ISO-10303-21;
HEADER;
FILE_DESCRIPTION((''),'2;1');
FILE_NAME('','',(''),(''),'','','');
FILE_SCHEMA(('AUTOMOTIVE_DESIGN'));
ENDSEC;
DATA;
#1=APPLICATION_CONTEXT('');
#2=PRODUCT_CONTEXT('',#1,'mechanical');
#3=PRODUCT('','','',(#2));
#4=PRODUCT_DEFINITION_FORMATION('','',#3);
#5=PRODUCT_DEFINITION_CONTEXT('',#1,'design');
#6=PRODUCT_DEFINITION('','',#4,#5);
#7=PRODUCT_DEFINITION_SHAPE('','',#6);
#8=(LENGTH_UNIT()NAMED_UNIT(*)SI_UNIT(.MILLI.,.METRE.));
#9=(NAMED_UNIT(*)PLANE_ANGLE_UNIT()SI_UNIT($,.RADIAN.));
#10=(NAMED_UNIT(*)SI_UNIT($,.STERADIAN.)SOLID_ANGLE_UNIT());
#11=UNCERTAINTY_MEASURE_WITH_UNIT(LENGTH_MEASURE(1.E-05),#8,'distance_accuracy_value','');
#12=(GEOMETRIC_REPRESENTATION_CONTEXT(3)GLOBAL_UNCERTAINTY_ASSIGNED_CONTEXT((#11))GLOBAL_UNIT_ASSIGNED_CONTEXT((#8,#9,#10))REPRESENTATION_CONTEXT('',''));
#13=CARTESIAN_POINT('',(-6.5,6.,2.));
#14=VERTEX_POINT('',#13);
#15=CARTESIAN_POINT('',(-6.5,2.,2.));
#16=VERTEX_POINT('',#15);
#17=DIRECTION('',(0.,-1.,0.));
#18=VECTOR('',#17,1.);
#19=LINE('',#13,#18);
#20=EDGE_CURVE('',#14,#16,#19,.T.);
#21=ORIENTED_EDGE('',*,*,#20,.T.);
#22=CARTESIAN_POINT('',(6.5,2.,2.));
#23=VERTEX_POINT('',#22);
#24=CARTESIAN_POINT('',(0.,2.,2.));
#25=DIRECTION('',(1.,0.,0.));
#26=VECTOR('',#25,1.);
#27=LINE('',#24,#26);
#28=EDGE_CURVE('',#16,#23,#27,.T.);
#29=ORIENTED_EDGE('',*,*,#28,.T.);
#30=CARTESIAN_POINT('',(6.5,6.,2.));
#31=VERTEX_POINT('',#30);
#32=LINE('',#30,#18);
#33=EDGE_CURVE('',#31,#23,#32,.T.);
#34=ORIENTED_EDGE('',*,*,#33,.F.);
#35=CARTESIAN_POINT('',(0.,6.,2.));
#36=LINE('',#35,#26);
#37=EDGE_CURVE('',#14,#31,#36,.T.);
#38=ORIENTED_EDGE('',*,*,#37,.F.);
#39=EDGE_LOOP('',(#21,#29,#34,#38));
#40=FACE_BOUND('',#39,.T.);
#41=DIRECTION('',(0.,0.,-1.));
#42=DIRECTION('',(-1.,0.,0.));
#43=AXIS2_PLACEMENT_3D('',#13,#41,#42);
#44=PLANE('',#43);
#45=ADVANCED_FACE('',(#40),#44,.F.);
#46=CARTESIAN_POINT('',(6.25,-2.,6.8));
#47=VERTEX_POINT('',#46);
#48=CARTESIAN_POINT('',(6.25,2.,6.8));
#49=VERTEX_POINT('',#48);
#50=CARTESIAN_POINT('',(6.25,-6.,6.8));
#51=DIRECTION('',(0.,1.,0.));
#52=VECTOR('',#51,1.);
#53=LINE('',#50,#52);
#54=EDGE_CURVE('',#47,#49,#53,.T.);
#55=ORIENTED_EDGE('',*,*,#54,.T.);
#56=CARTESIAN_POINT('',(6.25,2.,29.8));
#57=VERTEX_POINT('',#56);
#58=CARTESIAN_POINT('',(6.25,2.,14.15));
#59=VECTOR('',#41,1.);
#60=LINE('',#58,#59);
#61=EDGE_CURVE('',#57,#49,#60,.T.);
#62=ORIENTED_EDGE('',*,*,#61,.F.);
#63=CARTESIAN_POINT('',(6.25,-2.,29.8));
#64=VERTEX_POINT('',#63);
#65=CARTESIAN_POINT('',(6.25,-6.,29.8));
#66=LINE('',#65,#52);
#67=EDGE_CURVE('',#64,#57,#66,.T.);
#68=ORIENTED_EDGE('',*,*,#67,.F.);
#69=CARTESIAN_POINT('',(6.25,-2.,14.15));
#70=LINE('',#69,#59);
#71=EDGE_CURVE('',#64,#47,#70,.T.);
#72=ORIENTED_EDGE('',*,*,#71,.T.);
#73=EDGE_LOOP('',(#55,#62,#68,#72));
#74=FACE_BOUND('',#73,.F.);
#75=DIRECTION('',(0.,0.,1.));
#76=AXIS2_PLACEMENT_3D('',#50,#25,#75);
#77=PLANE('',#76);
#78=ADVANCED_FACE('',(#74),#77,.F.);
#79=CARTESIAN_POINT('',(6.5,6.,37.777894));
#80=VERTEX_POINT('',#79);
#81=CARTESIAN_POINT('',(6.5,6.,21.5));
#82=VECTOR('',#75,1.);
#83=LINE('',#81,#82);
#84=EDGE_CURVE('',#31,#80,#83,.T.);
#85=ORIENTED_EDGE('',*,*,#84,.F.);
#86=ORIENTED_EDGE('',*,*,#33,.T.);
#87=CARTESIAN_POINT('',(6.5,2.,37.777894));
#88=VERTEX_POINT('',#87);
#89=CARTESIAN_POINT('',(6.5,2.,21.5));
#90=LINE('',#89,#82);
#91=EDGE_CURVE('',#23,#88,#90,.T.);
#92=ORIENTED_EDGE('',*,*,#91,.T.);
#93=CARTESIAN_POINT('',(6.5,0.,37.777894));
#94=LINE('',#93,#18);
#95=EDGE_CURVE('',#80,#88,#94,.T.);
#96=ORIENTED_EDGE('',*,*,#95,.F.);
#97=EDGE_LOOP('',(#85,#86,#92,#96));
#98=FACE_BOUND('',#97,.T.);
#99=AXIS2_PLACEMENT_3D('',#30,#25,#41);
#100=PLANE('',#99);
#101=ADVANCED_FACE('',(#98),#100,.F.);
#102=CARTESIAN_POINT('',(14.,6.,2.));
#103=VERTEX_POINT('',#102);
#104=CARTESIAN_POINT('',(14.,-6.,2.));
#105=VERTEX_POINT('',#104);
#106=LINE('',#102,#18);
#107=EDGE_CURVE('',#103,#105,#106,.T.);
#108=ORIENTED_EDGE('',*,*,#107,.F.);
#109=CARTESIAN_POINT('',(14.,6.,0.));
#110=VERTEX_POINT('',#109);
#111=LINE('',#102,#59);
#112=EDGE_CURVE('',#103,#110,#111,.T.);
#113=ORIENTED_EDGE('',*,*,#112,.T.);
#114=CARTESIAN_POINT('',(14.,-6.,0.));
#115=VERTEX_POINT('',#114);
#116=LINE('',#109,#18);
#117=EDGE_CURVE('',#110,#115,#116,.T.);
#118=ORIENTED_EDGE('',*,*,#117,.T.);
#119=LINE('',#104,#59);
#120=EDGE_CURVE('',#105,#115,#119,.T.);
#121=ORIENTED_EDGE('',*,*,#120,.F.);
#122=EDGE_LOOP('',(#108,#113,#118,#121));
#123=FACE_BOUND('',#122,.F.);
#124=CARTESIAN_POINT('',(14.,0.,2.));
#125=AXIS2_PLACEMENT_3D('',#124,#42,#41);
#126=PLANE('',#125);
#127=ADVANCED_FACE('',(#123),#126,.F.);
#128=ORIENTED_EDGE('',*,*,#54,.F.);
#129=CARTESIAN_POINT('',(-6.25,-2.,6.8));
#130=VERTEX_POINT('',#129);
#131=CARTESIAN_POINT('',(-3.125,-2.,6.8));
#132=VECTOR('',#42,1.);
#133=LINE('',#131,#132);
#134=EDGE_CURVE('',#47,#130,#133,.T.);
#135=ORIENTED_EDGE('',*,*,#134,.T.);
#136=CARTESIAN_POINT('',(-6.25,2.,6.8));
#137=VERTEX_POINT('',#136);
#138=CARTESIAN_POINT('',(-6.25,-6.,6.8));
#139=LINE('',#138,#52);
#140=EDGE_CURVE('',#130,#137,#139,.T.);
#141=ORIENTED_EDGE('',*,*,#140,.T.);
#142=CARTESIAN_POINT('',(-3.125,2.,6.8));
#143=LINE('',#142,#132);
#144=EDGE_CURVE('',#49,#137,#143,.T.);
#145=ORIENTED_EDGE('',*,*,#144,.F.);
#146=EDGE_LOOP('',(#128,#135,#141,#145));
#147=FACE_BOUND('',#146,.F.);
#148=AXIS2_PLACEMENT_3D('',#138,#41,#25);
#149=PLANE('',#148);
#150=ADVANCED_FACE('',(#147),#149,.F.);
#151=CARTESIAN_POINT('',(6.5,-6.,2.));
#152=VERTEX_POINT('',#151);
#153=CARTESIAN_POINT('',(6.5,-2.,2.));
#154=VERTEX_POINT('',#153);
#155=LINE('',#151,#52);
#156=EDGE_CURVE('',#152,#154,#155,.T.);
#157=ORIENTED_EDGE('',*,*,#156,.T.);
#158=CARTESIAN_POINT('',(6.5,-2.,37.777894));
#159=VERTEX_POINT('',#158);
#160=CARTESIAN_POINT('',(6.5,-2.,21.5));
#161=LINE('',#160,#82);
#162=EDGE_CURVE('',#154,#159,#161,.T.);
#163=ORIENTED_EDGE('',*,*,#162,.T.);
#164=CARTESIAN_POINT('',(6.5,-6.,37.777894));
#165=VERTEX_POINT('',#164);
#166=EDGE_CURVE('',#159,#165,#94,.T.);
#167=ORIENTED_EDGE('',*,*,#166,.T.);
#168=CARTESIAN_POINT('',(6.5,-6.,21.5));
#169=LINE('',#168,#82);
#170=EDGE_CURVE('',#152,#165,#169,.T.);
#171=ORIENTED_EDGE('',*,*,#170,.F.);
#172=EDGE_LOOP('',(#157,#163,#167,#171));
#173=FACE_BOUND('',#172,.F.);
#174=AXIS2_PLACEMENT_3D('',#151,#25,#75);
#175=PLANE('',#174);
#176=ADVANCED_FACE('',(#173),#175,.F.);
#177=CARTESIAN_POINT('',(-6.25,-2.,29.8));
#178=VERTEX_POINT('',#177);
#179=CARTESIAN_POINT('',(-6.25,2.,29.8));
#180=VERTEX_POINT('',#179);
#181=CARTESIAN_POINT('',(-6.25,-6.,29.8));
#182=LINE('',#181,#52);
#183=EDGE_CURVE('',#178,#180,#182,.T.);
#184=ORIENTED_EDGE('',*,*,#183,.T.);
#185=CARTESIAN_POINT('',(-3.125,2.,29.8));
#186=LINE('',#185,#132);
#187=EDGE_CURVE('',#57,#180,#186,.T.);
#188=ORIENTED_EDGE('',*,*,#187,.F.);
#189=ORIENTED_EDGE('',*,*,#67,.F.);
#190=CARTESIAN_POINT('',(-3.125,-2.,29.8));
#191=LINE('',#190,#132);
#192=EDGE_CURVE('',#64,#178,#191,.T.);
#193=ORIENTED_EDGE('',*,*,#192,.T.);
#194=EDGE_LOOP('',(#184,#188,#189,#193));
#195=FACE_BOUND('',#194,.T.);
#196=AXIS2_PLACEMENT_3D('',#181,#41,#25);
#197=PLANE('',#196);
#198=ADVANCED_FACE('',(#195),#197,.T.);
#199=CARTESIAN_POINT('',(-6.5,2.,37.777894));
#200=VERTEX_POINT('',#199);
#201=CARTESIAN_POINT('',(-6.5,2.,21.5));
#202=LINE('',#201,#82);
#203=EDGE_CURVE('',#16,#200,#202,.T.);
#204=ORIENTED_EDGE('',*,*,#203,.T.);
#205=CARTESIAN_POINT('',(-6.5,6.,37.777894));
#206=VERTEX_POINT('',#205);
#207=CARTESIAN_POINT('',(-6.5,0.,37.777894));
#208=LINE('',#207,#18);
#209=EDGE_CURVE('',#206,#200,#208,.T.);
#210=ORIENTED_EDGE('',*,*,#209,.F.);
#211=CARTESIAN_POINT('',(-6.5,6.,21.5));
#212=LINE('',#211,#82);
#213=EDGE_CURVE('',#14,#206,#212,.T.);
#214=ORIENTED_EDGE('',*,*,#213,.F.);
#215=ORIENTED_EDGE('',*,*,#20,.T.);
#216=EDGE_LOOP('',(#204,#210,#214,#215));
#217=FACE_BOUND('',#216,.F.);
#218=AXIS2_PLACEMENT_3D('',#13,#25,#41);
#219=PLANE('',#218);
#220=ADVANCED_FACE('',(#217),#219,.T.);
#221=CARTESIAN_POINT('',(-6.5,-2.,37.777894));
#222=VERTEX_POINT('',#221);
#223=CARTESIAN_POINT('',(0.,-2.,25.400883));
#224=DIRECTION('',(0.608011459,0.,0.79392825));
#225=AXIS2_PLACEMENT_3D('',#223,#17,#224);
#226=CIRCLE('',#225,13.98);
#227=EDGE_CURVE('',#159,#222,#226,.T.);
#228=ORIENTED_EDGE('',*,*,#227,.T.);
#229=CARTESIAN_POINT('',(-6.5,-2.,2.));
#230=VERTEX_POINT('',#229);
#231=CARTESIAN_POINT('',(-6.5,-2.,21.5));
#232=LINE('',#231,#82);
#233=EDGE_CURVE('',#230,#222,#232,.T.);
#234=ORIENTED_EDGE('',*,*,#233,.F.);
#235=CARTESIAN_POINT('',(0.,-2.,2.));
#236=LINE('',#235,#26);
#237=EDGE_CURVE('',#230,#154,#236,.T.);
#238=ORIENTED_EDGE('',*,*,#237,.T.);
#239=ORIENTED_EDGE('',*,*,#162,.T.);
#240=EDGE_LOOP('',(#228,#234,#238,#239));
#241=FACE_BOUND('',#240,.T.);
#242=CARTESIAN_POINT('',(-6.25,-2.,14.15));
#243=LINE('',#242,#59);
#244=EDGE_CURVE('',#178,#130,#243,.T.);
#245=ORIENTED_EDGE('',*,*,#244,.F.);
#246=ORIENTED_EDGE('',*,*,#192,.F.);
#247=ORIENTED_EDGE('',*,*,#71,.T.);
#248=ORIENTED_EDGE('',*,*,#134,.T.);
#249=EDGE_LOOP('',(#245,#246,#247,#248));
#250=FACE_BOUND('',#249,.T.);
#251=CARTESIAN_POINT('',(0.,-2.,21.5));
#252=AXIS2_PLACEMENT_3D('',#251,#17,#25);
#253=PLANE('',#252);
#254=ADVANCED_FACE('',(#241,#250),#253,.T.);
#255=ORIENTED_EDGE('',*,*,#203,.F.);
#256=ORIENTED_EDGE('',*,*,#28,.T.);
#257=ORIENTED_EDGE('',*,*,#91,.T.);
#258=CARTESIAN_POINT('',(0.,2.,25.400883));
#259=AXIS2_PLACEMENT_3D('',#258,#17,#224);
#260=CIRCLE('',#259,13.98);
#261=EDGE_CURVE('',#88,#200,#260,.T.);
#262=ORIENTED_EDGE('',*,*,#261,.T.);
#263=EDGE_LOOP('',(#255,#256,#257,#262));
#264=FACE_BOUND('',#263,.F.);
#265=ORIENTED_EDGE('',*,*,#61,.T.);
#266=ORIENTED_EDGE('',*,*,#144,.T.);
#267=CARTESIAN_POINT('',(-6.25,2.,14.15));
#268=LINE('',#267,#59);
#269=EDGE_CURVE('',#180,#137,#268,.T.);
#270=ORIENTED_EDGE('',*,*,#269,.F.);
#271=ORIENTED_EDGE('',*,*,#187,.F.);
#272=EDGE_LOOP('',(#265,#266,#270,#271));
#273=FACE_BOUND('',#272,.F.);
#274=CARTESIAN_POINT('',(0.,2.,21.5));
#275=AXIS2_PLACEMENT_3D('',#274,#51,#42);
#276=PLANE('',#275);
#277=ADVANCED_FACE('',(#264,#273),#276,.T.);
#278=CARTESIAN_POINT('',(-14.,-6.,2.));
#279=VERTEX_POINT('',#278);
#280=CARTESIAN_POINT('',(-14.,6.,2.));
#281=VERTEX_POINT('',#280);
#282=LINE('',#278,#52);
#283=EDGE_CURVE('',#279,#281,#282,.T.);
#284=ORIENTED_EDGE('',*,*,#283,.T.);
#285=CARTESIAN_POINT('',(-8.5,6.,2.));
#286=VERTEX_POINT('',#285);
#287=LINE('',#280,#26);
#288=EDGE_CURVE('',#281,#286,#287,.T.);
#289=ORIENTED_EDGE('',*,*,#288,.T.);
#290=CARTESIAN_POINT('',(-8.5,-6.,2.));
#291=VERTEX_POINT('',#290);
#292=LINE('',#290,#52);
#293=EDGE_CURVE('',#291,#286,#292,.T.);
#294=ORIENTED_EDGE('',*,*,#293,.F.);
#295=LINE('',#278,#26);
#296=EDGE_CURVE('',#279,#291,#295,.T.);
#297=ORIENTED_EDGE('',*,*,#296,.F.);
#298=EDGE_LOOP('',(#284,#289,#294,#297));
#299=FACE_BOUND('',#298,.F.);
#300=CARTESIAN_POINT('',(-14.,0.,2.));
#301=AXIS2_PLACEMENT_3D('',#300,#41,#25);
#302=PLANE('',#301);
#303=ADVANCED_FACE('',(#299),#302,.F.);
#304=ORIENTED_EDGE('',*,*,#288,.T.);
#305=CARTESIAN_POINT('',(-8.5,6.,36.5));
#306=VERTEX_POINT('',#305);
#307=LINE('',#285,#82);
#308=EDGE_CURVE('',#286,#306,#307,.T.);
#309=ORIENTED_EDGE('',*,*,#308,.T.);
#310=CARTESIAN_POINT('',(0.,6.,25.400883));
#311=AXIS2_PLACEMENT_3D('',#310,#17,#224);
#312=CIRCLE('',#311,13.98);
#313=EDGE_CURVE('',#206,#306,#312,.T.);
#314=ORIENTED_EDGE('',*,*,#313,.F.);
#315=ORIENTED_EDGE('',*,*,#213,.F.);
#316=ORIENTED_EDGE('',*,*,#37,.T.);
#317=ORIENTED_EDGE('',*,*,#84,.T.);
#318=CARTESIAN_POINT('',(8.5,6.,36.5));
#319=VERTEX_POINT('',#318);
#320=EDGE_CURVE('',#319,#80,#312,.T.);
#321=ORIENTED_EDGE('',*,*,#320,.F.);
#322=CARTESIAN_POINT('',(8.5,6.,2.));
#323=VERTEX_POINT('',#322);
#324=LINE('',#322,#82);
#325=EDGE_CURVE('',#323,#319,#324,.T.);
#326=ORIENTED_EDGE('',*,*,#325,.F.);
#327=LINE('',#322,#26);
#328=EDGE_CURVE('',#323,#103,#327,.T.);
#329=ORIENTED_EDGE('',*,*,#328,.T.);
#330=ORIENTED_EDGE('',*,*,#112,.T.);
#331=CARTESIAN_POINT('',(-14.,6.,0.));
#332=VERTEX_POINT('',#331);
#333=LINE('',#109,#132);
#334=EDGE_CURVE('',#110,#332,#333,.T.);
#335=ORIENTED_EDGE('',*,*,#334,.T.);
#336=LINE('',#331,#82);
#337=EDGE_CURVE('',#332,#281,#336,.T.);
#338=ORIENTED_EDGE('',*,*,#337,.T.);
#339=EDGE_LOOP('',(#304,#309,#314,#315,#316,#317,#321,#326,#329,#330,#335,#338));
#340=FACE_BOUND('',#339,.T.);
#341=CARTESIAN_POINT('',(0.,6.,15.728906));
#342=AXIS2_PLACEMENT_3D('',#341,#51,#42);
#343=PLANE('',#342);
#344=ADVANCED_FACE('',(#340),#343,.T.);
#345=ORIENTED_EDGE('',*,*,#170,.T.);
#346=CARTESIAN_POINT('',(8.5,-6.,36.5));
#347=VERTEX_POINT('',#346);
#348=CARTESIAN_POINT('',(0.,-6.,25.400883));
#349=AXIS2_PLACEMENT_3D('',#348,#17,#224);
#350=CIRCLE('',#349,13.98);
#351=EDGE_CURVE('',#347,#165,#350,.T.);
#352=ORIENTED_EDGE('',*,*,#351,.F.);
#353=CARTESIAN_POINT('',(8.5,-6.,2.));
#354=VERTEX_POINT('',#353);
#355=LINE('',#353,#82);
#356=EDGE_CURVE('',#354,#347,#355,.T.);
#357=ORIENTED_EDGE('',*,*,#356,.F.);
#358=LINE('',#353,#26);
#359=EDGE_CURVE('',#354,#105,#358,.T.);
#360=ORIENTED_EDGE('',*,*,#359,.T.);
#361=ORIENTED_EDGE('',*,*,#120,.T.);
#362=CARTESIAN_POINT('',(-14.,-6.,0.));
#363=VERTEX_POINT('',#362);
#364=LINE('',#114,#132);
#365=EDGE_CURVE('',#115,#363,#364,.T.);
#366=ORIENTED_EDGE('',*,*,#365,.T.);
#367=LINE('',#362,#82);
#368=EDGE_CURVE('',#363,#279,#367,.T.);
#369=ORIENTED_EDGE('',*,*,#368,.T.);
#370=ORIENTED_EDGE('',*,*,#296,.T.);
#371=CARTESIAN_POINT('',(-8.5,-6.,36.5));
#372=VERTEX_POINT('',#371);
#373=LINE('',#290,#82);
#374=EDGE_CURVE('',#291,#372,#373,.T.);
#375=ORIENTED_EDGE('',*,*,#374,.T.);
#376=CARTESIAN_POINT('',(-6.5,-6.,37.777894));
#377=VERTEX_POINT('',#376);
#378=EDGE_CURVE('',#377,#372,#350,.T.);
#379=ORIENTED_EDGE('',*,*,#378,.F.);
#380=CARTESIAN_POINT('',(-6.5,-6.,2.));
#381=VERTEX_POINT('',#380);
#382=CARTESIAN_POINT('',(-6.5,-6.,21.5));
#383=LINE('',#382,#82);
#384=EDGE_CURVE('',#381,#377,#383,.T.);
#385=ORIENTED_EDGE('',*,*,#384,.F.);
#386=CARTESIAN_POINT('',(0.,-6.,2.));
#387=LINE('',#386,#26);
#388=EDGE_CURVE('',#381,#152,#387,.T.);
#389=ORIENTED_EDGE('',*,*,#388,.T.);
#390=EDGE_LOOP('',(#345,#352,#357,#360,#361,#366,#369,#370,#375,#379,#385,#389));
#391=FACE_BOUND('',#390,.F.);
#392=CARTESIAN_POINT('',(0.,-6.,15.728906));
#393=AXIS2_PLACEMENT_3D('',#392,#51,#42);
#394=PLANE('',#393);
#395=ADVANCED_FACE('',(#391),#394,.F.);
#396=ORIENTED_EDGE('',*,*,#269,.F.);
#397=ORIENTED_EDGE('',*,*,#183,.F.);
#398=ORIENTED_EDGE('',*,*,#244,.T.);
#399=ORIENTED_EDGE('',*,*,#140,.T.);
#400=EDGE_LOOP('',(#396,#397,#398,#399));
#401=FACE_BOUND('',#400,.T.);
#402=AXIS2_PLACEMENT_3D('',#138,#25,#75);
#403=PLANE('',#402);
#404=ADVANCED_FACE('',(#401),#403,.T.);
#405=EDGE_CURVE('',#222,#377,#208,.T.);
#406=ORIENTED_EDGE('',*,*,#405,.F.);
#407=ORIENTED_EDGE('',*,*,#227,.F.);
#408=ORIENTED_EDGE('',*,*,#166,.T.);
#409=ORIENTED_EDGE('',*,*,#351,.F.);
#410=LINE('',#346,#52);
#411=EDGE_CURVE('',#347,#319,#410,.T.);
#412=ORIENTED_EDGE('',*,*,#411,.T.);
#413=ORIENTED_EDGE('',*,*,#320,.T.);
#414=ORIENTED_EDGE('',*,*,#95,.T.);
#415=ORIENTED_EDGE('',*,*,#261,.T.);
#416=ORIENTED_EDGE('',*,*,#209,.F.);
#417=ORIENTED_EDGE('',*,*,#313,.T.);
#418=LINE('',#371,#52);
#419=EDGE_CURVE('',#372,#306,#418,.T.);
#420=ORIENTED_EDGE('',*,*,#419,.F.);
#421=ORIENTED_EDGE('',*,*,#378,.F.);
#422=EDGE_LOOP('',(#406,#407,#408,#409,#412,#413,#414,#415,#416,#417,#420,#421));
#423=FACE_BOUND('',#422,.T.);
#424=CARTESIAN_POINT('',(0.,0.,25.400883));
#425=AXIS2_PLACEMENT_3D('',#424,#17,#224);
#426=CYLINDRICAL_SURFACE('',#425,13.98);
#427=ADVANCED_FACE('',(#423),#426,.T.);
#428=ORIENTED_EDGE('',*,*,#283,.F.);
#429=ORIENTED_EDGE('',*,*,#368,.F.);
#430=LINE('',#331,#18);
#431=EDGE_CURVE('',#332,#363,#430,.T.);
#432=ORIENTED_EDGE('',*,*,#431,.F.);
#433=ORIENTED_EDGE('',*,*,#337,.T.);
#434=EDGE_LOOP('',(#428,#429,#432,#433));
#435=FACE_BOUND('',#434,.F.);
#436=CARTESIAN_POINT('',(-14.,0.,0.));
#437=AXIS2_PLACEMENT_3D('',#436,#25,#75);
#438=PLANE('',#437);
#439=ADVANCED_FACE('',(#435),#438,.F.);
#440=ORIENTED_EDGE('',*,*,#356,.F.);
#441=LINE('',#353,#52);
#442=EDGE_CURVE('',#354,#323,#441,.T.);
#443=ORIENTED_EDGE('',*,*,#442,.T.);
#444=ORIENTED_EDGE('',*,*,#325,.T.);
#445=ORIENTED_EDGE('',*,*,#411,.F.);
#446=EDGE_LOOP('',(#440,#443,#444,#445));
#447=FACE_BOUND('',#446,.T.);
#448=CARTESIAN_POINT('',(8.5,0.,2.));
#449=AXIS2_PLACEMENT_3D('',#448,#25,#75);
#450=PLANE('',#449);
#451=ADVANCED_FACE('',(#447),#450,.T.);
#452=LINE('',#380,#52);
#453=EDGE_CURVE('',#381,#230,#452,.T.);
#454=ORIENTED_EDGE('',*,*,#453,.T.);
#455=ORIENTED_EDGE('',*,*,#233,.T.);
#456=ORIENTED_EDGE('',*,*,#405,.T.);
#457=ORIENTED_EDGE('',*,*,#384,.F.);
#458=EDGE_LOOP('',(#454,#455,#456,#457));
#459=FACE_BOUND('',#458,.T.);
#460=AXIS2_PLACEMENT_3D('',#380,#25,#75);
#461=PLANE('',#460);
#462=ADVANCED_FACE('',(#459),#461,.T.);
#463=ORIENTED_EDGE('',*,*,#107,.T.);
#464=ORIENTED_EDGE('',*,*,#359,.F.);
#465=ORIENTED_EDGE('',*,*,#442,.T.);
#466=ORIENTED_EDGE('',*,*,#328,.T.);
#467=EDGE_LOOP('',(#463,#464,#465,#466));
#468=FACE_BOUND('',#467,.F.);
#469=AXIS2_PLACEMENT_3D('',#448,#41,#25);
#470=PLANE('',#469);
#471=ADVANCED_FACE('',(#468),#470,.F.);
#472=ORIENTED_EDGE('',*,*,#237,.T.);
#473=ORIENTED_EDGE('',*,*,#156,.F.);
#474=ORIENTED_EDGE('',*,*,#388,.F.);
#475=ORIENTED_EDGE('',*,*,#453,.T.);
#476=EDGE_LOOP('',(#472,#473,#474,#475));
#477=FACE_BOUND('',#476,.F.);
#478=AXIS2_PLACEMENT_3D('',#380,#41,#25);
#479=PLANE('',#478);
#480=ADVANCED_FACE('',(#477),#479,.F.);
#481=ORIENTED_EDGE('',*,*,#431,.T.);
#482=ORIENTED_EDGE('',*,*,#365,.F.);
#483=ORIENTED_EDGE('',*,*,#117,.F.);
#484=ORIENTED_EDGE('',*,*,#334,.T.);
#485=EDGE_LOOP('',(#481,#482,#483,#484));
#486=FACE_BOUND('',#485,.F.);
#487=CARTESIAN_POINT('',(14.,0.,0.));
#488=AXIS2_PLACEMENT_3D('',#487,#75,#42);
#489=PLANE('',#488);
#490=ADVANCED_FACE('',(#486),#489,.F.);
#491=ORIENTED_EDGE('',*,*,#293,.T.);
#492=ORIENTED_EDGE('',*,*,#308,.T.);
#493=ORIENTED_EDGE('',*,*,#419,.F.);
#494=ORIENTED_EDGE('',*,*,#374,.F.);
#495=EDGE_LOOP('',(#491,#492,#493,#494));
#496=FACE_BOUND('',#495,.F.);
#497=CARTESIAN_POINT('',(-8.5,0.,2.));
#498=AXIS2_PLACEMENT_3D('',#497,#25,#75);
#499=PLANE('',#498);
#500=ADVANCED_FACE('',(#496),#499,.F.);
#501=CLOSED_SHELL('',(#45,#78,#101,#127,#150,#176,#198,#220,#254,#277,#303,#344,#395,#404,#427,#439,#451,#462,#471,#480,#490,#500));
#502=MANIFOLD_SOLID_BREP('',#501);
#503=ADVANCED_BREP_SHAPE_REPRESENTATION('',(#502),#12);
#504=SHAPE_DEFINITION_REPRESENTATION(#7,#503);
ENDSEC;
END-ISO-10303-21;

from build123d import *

# Parameters (mm, degrees)
PAD_DEPTH       = 6
SKETCH001_W     = 12.5
SKETCH001_H     = 23
POCKET_DEPTH    = 12.001
SKETCH002_W     = 13
SKETCH002_H     = 39
POCKET001_DEPTH = 4


with BuildPart() as part:
    # Sketch → Pad (new body, symmetric)
    with BuildSketch(Plane.XZ):
        with BuildLine():
            Line((-14, 0), (-14, 2))
            Line((-14, 2), (-8.5, 2))
            Line((-8.5, 2), (-8.5, 36.5))
            ThreePointArc((8.5, 36.5), (0, 39.380883), (-8.5, 36.5))
            Line((8.5, 2), (8.5, 36.5))
            Line((8.5, 2), (14, 2))
            Line((14, 2), (14, 0))
            Line((14, 0), (-14, 0))
        make_face()
    extrude(amount=PAD_DEPTH, both=True)

    # Sketch001 (on Face10 of Pad) → Pocket (cut, through all)
    with BuildSketch(Plane.XZ.offset(6)):
        with Locations((0, 18.3)):
            Rectangle(SKETCH001_W, SKETCH001_H)
    extrude(amount=-POCKET_DEPTH, mode=Mode.SUBTRACT)

    # Sketch002 (on Face5 of Pocket) → Pocket001 (cut)
    with BuildSketch(Plane.XZ.offset(6)):
        with Locations((0, 21.5)):
            Rectangle(SKETCH002_W, SKETCH002_H)
    pocket001 = extrude(amount=-POCKET001_DEPTH, mode=Mode.SUBTRACT)

    # Mirrored: Pocket001 across XZ
    add(pocket001.mirror(Plane.XZ), mode=Mode.SUBTRACT)


solid = part.part
